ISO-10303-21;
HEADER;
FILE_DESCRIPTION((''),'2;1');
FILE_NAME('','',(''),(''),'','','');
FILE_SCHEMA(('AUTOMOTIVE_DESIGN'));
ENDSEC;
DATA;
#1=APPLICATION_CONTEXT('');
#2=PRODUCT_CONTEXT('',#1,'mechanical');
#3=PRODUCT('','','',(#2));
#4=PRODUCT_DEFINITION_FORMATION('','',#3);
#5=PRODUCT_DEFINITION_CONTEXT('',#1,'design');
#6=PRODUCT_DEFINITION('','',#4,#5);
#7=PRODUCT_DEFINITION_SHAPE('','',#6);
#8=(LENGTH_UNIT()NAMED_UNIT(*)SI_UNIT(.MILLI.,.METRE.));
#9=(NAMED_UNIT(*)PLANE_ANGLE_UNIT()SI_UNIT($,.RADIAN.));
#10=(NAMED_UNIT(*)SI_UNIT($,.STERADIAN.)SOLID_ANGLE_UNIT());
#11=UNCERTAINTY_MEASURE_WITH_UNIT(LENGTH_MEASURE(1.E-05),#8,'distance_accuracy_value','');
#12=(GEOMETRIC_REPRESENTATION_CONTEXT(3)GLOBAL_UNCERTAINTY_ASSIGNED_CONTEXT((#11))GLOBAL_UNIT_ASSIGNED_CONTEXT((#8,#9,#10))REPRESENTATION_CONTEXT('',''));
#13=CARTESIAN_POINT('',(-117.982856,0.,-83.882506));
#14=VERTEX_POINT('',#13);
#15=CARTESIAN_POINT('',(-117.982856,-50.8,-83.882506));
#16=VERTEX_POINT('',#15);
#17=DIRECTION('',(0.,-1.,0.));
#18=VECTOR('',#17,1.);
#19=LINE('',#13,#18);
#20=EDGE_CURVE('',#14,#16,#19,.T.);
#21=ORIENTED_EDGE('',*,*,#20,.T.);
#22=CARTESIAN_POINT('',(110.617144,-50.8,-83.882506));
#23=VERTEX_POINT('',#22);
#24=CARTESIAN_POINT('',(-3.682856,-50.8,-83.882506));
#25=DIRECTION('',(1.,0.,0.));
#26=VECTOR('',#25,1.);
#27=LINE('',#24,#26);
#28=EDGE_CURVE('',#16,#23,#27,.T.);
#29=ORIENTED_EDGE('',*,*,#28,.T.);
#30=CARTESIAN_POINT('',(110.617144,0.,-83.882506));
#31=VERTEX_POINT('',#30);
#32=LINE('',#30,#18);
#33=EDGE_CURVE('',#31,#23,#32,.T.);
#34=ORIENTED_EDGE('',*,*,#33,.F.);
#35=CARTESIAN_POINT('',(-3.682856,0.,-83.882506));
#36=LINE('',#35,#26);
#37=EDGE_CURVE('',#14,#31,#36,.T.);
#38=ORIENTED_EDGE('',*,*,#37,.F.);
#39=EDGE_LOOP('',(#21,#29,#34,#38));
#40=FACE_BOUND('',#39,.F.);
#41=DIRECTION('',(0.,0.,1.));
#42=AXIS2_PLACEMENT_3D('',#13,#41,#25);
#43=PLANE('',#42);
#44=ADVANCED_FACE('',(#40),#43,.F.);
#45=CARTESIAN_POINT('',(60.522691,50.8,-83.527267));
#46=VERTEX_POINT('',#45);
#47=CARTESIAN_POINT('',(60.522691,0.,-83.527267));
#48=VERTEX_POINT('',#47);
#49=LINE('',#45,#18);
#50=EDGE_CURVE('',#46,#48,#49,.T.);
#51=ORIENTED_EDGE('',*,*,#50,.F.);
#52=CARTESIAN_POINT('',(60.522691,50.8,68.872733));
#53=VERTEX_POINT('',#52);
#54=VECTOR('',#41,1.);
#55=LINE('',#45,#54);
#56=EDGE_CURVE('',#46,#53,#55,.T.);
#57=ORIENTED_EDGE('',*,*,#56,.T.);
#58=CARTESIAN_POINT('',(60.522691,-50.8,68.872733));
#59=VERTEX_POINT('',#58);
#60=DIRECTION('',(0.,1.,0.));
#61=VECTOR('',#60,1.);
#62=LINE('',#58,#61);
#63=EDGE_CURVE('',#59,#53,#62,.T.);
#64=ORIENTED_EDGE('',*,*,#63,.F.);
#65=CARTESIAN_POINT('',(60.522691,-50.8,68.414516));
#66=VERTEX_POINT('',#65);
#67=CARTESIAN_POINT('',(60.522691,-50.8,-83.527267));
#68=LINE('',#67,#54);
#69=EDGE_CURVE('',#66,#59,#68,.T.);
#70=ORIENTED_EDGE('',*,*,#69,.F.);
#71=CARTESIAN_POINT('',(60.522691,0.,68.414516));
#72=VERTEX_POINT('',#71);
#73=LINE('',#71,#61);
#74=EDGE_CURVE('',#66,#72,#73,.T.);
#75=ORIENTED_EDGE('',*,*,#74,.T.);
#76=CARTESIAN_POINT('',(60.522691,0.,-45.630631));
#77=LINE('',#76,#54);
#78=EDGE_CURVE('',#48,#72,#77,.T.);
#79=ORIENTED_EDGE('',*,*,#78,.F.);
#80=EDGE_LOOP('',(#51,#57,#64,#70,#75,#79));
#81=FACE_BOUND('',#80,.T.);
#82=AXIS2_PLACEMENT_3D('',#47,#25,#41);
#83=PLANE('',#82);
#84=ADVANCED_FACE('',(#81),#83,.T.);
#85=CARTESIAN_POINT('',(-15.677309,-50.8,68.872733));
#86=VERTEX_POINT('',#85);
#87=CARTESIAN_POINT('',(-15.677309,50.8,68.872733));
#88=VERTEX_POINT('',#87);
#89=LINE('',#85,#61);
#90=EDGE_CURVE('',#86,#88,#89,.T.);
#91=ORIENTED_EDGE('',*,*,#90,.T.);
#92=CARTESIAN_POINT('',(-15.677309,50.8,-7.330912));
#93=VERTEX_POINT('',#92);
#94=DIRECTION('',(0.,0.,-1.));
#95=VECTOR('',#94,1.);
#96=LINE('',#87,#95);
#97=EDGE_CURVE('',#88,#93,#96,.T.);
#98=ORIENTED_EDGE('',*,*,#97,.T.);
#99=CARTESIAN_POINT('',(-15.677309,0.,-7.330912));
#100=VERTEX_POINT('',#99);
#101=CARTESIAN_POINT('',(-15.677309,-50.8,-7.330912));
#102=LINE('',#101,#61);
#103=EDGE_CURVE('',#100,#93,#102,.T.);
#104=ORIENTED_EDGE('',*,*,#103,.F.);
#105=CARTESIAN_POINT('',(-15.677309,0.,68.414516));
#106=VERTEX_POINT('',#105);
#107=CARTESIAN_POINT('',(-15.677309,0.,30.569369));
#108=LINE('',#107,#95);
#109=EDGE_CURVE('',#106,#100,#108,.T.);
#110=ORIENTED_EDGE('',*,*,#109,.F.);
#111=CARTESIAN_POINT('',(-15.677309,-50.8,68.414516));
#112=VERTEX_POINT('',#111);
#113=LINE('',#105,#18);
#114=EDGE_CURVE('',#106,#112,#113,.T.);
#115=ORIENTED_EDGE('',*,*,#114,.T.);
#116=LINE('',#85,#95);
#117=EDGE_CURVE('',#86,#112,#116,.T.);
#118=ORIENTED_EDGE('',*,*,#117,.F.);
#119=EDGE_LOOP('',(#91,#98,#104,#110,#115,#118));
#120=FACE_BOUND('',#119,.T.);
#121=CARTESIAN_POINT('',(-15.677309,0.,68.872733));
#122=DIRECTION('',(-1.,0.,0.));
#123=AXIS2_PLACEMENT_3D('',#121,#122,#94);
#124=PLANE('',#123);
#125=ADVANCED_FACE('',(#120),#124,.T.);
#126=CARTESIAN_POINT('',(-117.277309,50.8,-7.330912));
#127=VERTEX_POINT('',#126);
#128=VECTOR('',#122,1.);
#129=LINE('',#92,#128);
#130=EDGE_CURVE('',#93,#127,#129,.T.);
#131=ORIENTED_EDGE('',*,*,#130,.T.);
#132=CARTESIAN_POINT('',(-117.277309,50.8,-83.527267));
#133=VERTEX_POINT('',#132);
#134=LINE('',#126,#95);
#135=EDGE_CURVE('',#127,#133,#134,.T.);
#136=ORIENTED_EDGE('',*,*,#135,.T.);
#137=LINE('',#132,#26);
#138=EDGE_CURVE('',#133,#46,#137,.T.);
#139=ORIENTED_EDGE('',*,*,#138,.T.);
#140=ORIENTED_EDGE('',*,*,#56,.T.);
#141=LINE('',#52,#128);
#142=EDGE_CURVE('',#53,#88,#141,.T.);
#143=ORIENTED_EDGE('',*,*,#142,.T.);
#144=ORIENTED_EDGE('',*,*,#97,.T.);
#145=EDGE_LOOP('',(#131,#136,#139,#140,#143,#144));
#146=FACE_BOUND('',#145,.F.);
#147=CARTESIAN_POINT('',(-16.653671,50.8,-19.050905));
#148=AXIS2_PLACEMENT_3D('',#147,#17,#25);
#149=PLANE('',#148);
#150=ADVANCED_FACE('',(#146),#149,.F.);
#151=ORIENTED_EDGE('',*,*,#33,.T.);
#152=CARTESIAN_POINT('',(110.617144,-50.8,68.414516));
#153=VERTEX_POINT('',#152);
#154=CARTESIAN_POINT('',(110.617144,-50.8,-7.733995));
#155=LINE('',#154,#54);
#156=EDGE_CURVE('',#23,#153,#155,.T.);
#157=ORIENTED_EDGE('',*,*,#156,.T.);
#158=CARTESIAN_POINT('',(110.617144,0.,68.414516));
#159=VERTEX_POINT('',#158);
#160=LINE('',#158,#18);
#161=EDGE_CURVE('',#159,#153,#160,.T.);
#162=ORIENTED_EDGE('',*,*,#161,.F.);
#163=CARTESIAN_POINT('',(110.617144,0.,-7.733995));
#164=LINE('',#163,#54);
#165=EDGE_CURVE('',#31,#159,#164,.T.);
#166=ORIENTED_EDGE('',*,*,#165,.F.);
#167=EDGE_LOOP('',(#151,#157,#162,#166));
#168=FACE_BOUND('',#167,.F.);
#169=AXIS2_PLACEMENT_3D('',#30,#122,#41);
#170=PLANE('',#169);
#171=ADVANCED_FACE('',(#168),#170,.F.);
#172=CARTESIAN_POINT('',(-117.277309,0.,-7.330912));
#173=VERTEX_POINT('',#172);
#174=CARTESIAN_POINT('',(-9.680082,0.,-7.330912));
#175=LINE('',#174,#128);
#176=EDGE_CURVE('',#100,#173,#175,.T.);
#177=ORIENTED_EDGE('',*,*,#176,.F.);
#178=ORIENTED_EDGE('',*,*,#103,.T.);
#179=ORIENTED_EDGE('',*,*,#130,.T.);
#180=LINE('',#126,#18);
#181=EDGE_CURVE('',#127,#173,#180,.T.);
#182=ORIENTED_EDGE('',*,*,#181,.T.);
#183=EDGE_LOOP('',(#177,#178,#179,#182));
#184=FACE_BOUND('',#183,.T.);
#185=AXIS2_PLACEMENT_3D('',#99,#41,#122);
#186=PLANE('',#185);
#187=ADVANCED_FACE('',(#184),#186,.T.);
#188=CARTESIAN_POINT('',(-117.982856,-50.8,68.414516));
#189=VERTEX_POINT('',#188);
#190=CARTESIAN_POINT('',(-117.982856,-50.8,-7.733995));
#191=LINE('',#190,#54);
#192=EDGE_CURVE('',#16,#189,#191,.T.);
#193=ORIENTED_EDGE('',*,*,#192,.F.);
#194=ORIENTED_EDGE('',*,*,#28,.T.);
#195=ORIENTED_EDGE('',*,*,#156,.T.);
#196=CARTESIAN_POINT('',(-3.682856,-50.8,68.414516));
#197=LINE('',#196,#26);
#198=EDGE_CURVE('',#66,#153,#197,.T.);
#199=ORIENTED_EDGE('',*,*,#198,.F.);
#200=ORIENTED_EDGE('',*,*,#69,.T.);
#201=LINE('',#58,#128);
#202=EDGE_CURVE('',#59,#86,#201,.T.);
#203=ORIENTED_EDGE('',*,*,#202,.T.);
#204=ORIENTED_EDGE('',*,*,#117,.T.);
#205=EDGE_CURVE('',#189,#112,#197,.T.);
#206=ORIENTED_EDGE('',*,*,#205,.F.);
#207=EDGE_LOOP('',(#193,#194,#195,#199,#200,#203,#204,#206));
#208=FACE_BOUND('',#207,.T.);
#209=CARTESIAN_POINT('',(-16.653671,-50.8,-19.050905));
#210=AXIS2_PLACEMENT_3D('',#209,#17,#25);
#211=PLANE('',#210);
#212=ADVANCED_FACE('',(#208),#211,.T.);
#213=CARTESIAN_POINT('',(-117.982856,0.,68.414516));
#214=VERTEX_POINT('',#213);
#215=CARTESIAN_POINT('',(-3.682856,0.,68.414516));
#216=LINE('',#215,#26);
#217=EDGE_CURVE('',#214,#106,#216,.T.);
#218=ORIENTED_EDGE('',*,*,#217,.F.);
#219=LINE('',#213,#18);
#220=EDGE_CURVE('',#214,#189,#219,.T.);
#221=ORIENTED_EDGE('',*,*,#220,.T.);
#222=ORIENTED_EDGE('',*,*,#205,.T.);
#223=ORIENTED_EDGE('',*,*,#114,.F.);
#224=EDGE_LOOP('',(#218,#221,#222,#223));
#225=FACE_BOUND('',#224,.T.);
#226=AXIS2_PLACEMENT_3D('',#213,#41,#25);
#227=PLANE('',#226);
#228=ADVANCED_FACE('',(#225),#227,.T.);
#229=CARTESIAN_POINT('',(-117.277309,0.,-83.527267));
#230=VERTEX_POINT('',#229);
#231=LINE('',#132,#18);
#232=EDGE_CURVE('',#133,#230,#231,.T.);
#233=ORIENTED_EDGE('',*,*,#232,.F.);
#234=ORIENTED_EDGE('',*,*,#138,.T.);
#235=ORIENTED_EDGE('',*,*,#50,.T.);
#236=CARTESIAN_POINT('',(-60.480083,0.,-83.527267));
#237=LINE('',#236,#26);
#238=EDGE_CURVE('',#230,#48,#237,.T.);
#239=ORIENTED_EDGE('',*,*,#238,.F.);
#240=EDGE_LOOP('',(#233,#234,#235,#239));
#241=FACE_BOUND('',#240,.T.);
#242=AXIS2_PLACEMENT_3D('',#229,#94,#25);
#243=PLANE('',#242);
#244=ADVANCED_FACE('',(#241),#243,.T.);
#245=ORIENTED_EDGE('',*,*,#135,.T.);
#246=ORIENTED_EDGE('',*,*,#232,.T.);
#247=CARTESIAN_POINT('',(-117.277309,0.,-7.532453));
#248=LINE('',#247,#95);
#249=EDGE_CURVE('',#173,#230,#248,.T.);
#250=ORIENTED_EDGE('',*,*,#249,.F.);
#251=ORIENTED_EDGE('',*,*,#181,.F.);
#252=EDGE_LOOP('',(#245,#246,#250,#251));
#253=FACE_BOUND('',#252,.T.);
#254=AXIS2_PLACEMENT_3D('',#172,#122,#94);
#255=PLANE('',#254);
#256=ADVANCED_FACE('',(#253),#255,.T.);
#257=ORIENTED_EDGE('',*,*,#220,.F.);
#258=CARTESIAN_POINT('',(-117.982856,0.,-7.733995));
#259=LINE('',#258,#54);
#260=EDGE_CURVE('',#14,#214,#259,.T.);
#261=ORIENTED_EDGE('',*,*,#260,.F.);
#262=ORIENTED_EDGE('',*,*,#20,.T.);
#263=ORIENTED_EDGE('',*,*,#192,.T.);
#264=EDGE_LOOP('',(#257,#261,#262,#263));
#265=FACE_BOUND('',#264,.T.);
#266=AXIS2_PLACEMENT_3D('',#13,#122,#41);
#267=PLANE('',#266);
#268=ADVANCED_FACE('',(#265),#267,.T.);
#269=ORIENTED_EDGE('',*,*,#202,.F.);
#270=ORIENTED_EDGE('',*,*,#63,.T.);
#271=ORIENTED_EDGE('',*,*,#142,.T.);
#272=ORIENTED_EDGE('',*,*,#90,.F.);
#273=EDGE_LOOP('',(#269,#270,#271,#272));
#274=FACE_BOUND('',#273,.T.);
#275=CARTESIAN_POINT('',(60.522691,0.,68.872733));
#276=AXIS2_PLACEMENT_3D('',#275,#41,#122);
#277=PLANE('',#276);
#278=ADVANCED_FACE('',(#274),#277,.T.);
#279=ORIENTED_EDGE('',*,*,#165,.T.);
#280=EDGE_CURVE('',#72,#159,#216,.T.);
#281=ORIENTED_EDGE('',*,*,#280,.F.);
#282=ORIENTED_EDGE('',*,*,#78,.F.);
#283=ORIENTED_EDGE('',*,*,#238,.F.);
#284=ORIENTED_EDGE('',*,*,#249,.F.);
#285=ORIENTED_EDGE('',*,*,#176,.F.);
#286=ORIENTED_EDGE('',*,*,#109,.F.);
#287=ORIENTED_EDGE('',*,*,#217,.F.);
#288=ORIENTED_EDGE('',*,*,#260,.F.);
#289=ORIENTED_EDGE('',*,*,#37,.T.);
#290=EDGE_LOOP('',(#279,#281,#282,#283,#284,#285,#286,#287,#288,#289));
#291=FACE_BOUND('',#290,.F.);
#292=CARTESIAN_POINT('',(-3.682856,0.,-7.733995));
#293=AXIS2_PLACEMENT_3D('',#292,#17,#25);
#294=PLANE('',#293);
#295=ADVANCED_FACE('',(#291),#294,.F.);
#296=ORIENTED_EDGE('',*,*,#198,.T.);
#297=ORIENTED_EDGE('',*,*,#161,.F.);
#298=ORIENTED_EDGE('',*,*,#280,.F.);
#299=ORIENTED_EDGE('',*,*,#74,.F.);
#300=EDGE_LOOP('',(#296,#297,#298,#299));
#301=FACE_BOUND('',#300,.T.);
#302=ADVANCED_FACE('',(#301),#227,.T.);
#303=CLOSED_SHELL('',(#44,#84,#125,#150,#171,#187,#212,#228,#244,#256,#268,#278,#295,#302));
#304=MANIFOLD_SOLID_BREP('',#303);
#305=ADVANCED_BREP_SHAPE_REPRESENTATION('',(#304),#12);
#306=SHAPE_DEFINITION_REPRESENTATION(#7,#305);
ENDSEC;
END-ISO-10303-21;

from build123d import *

# Parameters (mm, degrees)
F0_W     = 228.6
F0_H     = 152.297022
F1_DEPTH = 50.8
F3_DEPTH = 50.8


with BuildPart() as f1:
    # F0 (on Front) → F1 (new body)
    with BuildSketch(Plane.XZ):
        with Locations((-3.682856, -7.733995)):
            Rectangle(F0_W, F0_H)
    extrude(amount=F1_DEPTH)

    # F2 (on Front) → F3 (join, symmetric)
    with BuildSketch(Plane.XZ):
        Polygon((-15.677309, -7.330912), (-117.277309, -7.330912), (-117.277309, -83.527267), (60.522691, -83.527267), (60.522691, 68.872733), (-15.677309, 68.872733), align=None)
    extrude(amount=F3_DEPTH, both=True)


solid = f1.part
